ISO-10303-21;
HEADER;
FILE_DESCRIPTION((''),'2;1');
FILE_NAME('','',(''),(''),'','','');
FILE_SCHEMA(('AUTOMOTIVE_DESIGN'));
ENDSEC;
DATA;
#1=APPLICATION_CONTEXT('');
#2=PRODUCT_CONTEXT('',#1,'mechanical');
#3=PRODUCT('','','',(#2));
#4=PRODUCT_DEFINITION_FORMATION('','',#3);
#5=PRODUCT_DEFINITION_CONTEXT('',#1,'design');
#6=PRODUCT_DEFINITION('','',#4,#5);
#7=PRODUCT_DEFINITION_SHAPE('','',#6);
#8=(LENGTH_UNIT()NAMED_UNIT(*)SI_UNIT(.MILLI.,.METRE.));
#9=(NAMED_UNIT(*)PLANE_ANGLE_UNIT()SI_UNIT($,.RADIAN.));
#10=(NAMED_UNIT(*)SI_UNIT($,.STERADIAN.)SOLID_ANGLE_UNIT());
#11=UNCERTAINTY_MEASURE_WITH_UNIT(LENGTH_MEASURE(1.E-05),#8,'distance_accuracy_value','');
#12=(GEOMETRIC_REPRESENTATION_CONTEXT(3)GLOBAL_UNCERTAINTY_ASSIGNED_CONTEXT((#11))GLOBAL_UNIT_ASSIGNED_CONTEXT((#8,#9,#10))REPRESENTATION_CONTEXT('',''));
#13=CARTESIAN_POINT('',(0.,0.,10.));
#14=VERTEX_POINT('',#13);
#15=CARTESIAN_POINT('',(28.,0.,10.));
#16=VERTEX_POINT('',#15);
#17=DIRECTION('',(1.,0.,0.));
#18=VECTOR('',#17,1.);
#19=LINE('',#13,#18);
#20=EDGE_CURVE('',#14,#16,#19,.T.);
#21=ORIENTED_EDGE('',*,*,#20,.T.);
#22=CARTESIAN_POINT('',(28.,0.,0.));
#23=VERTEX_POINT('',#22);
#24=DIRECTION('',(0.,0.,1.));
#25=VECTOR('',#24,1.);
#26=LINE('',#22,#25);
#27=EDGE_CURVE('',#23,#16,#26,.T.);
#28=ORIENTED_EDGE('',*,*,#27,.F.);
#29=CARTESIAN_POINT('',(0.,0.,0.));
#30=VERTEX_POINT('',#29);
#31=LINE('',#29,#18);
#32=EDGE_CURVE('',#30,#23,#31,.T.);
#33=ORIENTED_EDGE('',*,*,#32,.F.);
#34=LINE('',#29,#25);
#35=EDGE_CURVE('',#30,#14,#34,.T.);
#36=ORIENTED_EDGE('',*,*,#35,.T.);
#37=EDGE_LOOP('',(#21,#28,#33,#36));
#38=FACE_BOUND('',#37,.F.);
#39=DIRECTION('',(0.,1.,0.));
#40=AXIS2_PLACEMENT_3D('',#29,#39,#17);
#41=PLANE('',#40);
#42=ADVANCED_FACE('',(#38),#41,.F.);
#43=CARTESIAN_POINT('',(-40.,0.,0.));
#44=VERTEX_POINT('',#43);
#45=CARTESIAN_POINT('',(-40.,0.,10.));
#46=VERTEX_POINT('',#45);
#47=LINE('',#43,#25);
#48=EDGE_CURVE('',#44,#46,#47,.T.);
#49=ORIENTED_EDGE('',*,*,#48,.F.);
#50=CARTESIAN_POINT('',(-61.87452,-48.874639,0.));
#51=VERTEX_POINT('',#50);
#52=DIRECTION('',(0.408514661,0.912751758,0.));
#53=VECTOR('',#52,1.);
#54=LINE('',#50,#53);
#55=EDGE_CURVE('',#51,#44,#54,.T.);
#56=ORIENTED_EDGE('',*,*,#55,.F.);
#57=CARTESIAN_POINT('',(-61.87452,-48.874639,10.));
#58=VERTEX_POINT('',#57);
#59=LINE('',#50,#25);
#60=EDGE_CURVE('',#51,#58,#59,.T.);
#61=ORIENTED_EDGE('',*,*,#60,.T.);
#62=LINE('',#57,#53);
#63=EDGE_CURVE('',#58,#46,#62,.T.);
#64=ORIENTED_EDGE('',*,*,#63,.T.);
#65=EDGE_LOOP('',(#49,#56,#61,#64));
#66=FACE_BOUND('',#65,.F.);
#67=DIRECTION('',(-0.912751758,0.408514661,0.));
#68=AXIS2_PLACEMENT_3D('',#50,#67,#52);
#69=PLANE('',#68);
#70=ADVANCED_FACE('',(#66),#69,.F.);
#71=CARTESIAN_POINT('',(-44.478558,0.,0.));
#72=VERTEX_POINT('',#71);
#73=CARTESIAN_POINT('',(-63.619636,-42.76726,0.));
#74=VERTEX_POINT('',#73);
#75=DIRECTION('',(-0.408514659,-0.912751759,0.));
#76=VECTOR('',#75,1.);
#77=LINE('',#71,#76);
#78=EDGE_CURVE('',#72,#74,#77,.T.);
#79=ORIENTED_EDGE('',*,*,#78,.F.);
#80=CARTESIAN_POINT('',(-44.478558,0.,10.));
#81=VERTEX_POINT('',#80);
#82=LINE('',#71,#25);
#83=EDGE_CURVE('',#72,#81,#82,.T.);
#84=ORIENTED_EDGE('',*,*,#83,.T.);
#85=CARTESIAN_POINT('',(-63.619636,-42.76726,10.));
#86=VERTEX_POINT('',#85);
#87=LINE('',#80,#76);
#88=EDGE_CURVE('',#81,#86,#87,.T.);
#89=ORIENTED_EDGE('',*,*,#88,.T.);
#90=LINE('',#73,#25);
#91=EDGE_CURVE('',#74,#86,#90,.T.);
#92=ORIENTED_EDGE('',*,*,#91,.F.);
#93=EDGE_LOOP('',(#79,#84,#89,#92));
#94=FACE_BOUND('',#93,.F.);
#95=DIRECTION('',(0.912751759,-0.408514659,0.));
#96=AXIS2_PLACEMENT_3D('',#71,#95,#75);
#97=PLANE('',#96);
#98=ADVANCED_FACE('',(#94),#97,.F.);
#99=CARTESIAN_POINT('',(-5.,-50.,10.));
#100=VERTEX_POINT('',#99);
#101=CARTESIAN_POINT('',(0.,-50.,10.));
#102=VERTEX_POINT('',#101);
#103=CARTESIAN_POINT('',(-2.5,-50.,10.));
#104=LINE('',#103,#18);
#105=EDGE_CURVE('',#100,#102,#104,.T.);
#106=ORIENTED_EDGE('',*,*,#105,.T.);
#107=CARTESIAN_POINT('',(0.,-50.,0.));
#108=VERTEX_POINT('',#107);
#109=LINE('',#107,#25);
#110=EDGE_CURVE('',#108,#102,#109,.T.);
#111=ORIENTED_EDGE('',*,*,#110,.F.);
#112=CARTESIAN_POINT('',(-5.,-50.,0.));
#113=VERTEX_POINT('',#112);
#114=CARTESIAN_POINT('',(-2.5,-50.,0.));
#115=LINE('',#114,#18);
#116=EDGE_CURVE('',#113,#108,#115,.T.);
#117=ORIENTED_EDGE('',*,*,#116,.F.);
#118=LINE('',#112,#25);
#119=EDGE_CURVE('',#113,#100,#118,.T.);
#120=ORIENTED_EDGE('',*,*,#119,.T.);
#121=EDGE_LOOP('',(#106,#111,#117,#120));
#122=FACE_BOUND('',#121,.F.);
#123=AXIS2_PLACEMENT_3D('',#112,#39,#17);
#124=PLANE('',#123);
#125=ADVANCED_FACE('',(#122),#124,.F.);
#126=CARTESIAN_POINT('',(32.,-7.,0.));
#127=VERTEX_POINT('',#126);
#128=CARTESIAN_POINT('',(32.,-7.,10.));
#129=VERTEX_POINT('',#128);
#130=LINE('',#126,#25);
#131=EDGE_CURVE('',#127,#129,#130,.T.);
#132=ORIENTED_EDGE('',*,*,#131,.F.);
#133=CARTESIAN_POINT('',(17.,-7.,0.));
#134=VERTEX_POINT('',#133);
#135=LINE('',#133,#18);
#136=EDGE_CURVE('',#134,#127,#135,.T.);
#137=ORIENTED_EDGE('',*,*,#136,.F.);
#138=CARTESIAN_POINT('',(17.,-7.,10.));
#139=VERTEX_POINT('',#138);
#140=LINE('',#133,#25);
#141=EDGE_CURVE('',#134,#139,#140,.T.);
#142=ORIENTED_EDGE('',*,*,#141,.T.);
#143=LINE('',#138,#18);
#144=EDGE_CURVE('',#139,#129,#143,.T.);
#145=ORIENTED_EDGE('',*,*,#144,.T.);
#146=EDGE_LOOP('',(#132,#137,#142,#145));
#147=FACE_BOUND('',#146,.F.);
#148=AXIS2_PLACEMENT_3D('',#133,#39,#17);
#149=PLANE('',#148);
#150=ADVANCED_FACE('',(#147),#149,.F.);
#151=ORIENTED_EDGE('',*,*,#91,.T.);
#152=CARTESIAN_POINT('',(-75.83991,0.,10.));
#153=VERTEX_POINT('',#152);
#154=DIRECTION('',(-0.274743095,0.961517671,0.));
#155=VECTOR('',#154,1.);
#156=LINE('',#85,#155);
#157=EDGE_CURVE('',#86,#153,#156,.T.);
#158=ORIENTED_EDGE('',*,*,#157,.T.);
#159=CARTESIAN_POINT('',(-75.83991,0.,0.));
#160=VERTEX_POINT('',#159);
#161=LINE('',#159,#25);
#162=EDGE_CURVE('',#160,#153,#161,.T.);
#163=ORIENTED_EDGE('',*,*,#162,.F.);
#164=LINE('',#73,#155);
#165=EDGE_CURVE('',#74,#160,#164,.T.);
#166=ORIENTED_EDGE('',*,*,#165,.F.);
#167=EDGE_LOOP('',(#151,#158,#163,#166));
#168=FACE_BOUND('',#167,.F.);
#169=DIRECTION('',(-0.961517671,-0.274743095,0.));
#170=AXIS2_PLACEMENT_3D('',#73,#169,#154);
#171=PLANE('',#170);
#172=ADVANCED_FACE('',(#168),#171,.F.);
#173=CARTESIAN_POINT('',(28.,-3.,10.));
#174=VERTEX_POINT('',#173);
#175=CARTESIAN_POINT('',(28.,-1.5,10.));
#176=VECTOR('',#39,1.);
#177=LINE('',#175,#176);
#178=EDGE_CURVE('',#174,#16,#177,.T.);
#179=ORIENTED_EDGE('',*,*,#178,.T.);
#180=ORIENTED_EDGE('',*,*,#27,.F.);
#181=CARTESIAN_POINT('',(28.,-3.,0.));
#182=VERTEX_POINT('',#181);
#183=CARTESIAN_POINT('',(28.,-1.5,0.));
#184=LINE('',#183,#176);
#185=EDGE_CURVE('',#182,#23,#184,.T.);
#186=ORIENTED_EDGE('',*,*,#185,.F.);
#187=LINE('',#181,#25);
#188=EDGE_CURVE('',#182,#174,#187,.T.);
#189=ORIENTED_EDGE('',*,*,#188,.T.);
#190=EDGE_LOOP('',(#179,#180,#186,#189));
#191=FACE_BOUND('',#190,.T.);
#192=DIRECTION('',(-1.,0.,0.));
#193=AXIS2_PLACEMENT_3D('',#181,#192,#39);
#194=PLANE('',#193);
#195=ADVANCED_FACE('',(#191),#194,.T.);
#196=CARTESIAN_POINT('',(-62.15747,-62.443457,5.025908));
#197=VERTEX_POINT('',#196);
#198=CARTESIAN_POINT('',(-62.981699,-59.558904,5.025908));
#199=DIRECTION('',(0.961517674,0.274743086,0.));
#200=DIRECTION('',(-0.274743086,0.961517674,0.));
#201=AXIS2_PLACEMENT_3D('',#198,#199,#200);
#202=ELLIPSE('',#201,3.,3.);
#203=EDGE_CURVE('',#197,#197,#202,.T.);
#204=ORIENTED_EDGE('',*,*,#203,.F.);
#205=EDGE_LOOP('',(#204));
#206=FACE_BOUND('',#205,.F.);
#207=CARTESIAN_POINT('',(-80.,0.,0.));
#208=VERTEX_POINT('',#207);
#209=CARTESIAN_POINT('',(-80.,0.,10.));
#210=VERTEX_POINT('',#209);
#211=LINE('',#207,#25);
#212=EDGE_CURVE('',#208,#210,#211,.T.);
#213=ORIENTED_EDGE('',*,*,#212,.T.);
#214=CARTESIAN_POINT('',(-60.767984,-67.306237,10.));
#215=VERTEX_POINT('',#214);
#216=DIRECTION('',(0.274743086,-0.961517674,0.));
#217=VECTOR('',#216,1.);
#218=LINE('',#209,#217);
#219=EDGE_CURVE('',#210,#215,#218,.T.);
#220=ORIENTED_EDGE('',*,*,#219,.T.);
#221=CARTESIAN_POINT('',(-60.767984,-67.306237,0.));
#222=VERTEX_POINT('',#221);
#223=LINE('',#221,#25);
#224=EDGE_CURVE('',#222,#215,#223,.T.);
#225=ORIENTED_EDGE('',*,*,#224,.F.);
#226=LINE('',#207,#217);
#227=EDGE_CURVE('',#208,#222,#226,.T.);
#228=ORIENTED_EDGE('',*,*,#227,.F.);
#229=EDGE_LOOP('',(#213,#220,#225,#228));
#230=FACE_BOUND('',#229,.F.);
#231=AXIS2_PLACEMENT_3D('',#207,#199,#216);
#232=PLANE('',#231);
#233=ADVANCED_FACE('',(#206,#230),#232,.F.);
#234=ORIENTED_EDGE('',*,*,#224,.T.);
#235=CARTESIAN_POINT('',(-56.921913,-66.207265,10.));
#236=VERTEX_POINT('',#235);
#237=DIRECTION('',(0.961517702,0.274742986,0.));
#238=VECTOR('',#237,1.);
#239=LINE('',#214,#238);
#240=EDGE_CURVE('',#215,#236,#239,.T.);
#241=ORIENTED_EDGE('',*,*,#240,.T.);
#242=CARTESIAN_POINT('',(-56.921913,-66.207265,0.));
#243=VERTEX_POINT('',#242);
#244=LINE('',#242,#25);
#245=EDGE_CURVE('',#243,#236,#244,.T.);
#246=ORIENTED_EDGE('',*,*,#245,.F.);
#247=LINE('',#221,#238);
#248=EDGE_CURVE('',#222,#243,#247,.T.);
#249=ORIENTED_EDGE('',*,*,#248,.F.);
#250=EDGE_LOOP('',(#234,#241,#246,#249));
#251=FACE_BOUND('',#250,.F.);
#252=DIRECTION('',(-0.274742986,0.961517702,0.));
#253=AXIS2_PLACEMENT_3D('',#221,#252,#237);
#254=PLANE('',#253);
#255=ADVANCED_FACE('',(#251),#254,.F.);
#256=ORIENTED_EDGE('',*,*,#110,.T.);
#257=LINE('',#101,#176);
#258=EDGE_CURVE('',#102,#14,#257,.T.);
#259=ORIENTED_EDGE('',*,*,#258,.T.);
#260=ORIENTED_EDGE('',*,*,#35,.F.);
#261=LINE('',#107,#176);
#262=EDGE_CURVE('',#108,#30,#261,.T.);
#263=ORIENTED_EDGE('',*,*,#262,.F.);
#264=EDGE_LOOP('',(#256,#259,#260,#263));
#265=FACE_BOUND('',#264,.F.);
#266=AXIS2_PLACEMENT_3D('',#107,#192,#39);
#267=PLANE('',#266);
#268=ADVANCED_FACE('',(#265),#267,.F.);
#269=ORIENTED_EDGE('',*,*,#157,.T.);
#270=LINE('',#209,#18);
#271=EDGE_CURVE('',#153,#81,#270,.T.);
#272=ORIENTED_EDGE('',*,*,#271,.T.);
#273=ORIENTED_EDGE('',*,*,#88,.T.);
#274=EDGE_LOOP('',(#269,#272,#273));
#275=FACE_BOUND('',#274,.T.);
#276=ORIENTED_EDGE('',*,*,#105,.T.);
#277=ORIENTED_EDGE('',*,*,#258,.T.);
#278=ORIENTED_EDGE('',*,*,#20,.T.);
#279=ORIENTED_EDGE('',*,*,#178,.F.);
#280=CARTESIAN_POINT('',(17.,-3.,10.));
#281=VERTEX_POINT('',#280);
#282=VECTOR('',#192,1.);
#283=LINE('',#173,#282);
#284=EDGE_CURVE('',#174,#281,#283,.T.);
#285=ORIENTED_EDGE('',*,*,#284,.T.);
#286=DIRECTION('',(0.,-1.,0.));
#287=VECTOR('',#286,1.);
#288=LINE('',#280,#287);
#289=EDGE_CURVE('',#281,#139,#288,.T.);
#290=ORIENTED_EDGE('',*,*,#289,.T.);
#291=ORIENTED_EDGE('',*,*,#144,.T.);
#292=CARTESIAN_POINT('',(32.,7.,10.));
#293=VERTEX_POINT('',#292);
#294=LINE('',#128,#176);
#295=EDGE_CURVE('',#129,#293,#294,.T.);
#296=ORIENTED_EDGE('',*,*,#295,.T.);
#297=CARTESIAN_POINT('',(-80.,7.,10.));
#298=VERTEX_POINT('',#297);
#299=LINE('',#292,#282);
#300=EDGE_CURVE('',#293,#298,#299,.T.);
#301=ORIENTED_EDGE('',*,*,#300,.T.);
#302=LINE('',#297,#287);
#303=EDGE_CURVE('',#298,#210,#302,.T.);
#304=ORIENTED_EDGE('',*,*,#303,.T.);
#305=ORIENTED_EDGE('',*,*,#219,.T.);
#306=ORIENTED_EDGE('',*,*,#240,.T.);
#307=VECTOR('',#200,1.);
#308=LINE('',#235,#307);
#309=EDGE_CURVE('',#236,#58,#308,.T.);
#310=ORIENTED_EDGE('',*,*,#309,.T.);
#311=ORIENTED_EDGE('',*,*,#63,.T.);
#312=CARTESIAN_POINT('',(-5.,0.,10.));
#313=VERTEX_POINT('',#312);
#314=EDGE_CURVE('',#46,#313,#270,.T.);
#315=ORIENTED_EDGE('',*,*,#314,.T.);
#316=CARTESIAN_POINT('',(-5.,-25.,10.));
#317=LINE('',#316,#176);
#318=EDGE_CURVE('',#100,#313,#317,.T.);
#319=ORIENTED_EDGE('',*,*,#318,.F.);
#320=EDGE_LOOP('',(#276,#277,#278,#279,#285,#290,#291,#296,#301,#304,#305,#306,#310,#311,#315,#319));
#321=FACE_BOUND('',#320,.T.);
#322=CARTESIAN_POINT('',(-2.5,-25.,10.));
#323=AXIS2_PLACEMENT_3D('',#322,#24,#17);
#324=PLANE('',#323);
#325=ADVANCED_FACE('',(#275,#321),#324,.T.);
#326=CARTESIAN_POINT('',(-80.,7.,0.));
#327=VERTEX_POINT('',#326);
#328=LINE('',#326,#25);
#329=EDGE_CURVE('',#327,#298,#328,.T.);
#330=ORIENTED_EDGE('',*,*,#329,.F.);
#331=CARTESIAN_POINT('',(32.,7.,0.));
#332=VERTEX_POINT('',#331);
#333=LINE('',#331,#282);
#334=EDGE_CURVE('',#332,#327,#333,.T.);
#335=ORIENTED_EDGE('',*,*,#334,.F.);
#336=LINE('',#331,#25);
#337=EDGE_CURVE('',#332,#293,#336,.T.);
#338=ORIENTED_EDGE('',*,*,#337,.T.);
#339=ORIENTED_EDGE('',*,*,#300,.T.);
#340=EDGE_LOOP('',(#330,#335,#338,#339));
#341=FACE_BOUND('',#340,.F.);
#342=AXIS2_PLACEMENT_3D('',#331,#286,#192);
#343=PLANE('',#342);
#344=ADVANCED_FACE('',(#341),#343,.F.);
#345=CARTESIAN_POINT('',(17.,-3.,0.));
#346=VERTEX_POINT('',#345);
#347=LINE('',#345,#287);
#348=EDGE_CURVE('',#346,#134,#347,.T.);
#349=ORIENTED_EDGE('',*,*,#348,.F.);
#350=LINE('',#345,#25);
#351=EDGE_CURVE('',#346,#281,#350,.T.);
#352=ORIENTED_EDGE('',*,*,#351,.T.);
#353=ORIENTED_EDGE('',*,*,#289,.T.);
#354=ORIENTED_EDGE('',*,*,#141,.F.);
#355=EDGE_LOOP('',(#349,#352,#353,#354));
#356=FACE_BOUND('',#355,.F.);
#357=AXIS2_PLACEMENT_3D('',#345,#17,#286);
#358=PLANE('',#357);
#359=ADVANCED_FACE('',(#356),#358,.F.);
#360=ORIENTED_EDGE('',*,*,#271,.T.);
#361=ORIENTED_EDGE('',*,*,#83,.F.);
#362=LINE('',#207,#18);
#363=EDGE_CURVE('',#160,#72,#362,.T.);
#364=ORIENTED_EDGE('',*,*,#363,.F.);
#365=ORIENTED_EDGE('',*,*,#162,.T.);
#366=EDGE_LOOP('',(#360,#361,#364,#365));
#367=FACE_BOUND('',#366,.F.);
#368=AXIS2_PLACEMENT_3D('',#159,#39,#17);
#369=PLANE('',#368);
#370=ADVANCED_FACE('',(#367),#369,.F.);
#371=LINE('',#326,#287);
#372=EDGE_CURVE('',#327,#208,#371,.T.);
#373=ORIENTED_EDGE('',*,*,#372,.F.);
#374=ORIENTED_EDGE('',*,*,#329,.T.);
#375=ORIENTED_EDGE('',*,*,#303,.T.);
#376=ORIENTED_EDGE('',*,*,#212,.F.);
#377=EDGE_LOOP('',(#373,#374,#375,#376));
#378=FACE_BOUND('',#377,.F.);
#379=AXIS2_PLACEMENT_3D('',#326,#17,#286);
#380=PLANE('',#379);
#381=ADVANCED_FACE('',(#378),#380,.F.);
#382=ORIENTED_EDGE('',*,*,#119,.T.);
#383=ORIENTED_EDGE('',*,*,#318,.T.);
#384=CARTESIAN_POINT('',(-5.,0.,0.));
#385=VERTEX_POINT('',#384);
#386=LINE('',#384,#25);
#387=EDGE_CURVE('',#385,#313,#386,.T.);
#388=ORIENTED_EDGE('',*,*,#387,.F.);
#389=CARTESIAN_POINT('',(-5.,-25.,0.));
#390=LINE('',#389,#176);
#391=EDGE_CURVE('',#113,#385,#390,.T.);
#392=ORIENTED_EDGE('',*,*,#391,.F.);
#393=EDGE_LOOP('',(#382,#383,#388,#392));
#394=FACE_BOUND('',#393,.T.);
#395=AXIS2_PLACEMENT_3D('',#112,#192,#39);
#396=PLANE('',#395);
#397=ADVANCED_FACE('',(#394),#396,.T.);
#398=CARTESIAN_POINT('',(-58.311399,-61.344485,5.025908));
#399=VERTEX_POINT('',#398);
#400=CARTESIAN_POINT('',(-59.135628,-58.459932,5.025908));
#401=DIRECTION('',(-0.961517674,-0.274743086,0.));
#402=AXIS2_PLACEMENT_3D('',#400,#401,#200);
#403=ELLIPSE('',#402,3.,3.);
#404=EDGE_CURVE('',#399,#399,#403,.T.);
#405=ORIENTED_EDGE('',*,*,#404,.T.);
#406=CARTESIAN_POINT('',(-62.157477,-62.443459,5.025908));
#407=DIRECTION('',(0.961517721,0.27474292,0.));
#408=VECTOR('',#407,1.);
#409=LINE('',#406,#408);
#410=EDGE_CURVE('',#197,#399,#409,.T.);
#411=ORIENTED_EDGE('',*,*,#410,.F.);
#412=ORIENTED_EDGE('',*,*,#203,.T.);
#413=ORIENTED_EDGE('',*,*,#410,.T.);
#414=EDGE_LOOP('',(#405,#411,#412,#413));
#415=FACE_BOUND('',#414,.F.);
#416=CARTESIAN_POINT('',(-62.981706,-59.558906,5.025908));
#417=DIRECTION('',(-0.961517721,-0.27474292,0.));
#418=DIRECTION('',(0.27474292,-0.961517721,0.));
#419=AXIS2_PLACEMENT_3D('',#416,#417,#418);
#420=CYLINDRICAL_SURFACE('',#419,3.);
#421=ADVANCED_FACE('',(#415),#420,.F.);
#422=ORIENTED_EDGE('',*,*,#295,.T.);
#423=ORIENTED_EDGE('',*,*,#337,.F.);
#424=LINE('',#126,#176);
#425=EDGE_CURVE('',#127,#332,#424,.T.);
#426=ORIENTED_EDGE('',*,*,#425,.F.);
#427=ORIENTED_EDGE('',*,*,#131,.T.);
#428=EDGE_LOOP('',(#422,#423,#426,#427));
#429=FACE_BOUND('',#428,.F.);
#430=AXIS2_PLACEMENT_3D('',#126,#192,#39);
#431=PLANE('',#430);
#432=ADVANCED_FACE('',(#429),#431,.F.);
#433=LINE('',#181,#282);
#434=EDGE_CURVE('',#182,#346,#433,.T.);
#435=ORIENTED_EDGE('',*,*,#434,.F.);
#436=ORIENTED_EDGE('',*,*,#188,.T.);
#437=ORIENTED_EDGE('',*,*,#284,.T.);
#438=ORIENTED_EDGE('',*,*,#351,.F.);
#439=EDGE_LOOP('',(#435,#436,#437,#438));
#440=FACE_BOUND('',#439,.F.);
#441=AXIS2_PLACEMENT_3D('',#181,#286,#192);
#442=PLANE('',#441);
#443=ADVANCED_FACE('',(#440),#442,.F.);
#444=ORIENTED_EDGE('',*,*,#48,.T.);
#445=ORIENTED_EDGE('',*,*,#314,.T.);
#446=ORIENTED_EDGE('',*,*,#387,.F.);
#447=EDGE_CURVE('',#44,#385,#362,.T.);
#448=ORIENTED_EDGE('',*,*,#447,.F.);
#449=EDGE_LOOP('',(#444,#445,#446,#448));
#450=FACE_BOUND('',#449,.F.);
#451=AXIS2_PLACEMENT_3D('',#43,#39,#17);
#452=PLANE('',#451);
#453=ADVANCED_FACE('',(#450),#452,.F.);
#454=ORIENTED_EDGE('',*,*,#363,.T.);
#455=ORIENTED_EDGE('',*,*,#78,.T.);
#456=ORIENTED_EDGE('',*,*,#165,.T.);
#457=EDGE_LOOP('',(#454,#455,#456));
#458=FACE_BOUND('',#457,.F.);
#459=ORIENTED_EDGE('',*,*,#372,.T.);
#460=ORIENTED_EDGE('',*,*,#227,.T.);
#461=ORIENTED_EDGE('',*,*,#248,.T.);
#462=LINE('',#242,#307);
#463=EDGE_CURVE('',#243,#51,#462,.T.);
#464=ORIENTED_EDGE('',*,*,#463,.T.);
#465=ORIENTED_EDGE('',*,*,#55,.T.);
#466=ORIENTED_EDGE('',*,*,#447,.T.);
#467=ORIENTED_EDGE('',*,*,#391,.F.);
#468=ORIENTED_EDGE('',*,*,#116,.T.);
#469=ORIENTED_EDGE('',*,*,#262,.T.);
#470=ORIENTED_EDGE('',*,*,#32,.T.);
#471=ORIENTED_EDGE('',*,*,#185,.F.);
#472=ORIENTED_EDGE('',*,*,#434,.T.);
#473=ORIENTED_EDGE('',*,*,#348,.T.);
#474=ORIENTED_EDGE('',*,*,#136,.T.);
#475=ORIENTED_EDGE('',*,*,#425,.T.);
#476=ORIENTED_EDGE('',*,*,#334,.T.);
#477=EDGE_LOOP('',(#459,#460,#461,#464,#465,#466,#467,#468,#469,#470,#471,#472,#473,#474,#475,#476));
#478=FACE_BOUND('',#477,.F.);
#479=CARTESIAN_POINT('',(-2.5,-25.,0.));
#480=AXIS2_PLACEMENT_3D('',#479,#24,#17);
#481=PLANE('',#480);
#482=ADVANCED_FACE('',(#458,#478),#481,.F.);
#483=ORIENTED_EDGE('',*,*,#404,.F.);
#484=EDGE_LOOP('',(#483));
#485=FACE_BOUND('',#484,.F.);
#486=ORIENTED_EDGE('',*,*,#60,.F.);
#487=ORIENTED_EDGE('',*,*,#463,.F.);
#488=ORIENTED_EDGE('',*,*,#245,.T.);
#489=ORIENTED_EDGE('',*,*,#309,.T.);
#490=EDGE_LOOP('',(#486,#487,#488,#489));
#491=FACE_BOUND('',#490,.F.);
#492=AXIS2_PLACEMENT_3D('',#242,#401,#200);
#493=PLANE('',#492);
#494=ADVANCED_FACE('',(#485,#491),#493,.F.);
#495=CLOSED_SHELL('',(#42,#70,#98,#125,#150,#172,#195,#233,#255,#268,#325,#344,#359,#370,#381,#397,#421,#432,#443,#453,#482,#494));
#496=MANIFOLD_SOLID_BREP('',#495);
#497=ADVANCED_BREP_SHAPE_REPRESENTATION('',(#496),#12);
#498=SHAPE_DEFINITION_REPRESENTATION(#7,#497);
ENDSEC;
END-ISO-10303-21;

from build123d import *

# Parameters (mm, degrees)
F0_W     = 5
F0_H     = 50
F0_W_2   = 4
F0_H_2   = 3
F1_DEPTH = 10
F3_R     = 3
F4_DEPTH = 10


with BuildPart() as f1:
    # F0 (on Top) → F1 (new body)
    with BuildSketch(Plane.XY):
        with Locations((-2.5, -25)):
            Rectangle(F0_W, F0_H)
        Polygon((-5, 0), (0, 0), (0, 7), (-80, 7), (-80, 0), (-75.83991, 0), (-44.478558, 0), (-40, 0), align=None)
        Polygon((0, 7), (0, 0), (28, 0), (32, 0), (32, 7), align=None)
        with Locations((30, -1.5)):
            Rectangle(F0_W_2, F0_H_2)
        Polygon((-61.87452, -48.874639), (-40, 0), (-44.478558, 0), (-63.619636, -42.76726), align=None)
        Polygon((32, -3), (28, -3), (17, -3), (17, -7), (32, -7), align=None)
        Polygon((-56.921913, -66.207265), (-61.87452, -48.874639), (-63.619636, -42.76726), (-75.83991, 0), (-80, 0), (-60.767984, -67.306237), align=None)
    extrude(amount=F1_DEPTH)

    # F3 (on face) → F4 (cut)
    with BuildSketch(Plane(origin=(-73.961299, -21.133627, 0), x_dir=(0.274743, -0.961518, 0), z_dir=(-0.961518, -0.274743, 0))):
        with Locations((39.963152, 5.025908)):
            Circle(F3_R)
    extrude(amount=-F4_DEPTH, mode=Mode.SUBTRACT)


solid = f1.part
